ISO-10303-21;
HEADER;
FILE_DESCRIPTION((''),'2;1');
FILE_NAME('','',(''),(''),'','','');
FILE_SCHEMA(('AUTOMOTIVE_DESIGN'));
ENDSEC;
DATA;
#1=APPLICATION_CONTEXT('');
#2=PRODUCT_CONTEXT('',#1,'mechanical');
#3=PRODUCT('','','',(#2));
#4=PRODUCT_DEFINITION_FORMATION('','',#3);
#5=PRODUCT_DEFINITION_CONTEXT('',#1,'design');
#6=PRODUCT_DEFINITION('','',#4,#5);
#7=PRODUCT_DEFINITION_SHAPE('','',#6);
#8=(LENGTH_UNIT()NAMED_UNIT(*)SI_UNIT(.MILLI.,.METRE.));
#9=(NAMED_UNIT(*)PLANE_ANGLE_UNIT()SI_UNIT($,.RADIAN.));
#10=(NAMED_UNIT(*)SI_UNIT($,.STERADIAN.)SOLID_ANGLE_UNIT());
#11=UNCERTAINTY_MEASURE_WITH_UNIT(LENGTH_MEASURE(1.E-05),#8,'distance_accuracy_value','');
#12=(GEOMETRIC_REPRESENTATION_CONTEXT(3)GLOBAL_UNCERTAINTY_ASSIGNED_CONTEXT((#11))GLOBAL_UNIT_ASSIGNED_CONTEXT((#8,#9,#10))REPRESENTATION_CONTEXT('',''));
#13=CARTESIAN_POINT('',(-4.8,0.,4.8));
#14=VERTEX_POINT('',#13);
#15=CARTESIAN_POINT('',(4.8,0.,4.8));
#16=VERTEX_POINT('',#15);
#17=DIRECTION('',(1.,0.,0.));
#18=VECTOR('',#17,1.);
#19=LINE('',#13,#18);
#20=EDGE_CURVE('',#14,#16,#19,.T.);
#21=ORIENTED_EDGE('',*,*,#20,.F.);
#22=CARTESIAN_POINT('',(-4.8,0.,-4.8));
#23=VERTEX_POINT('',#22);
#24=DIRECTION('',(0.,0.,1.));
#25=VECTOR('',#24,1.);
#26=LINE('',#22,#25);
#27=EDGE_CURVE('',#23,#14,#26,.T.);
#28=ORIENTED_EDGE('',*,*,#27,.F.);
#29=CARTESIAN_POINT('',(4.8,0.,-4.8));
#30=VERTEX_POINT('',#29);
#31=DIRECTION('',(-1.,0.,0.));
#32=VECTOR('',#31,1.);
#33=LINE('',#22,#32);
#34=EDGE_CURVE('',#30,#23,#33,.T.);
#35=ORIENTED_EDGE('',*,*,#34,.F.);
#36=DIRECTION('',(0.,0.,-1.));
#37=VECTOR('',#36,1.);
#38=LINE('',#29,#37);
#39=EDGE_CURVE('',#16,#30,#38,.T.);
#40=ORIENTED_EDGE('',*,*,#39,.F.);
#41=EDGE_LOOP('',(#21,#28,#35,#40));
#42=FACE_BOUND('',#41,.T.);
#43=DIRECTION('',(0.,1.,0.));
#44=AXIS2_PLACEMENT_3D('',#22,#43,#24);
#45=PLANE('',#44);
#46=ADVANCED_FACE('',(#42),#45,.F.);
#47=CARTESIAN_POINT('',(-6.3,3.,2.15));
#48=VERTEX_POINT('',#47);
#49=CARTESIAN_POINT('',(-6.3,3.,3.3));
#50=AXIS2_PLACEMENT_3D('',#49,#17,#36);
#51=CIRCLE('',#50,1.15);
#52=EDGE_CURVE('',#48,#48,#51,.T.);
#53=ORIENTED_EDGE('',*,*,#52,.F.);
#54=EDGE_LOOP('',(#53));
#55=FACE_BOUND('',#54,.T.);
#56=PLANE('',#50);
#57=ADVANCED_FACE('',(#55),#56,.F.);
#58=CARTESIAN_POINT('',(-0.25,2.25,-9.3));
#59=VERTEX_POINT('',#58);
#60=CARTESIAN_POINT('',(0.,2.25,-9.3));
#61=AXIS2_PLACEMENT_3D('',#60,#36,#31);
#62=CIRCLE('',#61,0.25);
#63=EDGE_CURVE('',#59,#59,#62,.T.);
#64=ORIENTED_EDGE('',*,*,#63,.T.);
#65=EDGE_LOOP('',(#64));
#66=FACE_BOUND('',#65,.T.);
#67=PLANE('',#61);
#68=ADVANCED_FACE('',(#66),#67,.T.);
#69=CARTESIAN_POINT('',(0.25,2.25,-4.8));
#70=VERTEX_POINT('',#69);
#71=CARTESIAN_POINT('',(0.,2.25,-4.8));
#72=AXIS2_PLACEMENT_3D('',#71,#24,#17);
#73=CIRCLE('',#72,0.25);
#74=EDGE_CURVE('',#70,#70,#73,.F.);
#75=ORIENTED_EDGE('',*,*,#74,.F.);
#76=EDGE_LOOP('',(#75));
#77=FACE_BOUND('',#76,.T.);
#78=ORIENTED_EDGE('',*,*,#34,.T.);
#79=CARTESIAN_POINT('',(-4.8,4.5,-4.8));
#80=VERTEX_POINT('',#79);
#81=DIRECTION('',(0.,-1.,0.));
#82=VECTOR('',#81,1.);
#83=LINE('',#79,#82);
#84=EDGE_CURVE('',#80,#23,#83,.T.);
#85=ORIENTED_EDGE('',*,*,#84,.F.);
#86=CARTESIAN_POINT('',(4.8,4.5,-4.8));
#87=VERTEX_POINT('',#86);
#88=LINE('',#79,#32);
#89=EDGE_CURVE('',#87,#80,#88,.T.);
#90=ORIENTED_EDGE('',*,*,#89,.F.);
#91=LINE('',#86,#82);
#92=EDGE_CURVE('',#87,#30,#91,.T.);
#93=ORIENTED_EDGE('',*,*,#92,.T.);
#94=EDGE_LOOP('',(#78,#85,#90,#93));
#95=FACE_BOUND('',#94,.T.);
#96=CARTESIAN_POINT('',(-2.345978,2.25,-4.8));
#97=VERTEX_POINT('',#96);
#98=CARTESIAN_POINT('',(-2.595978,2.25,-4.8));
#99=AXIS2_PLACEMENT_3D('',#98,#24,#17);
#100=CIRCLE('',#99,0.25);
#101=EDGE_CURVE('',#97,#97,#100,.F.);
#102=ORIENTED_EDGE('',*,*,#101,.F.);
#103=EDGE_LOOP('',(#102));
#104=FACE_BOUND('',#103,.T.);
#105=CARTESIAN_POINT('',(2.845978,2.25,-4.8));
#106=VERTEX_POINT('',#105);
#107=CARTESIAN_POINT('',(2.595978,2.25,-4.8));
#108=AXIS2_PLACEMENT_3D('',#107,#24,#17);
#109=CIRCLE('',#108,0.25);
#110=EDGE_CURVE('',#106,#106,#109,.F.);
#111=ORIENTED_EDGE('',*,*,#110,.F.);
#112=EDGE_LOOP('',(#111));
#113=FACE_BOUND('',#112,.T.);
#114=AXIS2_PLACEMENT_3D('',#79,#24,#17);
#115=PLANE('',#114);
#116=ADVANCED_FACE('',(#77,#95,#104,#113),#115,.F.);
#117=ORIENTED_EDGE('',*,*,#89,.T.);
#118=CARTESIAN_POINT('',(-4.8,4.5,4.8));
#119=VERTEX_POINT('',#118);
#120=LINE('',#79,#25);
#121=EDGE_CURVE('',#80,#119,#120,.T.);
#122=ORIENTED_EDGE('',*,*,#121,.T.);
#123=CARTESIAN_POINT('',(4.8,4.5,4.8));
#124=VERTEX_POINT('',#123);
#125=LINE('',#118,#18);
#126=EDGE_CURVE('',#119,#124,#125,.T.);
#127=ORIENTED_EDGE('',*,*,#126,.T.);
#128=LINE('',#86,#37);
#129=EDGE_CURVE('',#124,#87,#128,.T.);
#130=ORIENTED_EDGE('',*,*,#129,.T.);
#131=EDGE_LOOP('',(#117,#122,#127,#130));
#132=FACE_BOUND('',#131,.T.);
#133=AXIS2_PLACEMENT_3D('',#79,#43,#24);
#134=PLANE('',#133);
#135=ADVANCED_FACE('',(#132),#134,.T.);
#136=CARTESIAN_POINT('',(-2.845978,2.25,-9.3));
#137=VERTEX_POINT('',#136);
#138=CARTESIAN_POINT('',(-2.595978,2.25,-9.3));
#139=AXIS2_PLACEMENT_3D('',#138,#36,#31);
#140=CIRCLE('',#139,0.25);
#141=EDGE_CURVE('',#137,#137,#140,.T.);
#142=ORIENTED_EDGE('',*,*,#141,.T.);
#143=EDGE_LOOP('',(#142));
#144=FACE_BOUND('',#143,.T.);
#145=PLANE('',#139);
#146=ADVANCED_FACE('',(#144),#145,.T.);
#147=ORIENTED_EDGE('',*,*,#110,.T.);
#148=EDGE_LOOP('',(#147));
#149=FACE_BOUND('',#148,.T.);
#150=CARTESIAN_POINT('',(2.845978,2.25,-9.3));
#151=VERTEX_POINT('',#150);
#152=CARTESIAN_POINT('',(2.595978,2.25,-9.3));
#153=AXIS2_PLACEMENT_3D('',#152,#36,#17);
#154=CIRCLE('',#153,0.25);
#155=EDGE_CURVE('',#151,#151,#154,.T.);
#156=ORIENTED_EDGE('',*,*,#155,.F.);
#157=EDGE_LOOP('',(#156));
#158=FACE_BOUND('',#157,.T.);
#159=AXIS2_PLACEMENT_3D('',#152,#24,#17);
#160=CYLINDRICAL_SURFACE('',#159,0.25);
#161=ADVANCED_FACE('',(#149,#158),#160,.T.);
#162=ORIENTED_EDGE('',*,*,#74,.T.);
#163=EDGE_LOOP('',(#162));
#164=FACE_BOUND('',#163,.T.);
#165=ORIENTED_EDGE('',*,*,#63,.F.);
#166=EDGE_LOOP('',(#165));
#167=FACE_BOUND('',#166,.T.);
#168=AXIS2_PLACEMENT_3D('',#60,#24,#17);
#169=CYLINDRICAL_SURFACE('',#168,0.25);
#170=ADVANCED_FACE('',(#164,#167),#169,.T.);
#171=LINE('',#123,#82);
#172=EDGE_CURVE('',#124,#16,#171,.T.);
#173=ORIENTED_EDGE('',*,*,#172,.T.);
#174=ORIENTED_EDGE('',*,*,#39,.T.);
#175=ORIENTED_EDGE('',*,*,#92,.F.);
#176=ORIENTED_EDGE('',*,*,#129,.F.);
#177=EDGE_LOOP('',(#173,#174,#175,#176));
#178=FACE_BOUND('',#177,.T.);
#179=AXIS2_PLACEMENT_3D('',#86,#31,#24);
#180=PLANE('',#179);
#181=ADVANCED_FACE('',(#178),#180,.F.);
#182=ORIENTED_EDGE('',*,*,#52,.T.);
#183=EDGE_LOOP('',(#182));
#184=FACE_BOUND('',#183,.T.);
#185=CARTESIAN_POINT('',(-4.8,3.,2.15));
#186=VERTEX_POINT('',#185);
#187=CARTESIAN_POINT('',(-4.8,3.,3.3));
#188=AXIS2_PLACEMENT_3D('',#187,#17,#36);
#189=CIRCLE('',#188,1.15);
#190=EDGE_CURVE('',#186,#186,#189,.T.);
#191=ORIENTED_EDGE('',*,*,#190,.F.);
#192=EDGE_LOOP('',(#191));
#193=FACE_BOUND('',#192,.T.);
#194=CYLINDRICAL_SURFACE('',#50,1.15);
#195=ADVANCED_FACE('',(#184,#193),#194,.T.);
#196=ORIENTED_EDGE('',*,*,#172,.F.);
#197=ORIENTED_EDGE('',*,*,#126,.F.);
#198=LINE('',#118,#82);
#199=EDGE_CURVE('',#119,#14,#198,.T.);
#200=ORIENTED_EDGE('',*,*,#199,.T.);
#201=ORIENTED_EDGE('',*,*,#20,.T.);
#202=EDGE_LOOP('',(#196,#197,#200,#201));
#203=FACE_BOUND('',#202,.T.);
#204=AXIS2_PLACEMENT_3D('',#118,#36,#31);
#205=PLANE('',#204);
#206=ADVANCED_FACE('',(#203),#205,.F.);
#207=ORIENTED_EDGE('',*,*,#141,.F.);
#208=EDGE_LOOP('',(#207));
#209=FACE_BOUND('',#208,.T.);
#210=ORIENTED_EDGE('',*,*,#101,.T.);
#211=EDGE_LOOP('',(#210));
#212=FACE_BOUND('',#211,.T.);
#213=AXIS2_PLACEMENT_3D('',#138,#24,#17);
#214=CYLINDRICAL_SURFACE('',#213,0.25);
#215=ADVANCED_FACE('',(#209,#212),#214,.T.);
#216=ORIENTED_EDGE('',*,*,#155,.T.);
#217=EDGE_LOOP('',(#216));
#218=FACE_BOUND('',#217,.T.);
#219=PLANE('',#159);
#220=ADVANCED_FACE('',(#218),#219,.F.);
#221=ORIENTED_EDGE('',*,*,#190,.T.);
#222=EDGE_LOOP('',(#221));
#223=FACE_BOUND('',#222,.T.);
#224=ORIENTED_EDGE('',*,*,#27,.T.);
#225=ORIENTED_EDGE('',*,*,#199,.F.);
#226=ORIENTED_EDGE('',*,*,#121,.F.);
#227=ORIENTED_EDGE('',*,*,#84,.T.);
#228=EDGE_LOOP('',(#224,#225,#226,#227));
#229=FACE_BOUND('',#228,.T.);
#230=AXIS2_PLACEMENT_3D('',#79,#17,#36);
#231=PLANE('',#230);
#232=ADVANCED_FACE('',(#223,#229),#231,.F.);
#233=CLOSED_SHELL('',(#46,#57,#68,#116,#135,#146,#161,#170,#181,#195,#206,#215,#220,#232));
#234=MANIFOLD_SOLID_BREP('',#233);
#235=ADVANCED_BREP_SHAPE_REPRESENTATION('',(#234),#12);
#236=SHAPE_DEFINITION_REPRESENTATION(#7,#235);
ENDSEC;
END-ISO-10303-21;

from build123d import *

# Parameters (mm, degrees)
SKETCH_1_W      = 9.6
SKETCH_1_H      = 9.6
EXTRUDE_1_DEPTH = 4.5
SKETCH_3_R      = 0.25
EXTRUDE_3_DEPTH = 4.5
SKETCH_4_R      = 1.15
EXTRUDE_4_DEPTH = 1.5


with BuildPart() as part:
    # 草图1 → 拉伸1 (new body)
    with BuildSketch(Plane(origin=(0, 0, 0), x_dir=(1, 0, 0), z_dir=(0, 1, 0))):
        Rectangle(SKETCH_1_W, SKETCH_1_H)
    extrude(amount=EXTRUDE_1_DEPTH)

    # 草图3 → 拉伸3 (add)
    with BuildSketch(Plane(origin=(0, 0, -4.8), x_dir=(-1, 0, 0), z_dir=(0, 0, -1))):
        with Locations(Location((0, 2.25, 0), (0, 0, 180))):
            Circle(SKETCH_3_R)
        with Locations(Location((2.595978382, 2.25, 0), (0, 0, 180))):
            Circle(SKETCH_3_R)
        with Locations(Location((-2.595978382, 2.25, 0), (0, 0, 180))):
            Circle(SKETCH_3_R)
    extrude(amount=EXTRUDE_3_DEPTH)

    # 草图4 → 拉伸4 (add)
    with BuildSketch(Plane(origin=(-4.8, 0, 0), x_dir=(0, 0, -1), z_dir=(1, 0, 0))):
        with Locations((-3.3, 3)):
            Circle(SKETCH_4_R)
    extrude(amount=-EXTRUDE_4_DEPTH)


solid = part.part
